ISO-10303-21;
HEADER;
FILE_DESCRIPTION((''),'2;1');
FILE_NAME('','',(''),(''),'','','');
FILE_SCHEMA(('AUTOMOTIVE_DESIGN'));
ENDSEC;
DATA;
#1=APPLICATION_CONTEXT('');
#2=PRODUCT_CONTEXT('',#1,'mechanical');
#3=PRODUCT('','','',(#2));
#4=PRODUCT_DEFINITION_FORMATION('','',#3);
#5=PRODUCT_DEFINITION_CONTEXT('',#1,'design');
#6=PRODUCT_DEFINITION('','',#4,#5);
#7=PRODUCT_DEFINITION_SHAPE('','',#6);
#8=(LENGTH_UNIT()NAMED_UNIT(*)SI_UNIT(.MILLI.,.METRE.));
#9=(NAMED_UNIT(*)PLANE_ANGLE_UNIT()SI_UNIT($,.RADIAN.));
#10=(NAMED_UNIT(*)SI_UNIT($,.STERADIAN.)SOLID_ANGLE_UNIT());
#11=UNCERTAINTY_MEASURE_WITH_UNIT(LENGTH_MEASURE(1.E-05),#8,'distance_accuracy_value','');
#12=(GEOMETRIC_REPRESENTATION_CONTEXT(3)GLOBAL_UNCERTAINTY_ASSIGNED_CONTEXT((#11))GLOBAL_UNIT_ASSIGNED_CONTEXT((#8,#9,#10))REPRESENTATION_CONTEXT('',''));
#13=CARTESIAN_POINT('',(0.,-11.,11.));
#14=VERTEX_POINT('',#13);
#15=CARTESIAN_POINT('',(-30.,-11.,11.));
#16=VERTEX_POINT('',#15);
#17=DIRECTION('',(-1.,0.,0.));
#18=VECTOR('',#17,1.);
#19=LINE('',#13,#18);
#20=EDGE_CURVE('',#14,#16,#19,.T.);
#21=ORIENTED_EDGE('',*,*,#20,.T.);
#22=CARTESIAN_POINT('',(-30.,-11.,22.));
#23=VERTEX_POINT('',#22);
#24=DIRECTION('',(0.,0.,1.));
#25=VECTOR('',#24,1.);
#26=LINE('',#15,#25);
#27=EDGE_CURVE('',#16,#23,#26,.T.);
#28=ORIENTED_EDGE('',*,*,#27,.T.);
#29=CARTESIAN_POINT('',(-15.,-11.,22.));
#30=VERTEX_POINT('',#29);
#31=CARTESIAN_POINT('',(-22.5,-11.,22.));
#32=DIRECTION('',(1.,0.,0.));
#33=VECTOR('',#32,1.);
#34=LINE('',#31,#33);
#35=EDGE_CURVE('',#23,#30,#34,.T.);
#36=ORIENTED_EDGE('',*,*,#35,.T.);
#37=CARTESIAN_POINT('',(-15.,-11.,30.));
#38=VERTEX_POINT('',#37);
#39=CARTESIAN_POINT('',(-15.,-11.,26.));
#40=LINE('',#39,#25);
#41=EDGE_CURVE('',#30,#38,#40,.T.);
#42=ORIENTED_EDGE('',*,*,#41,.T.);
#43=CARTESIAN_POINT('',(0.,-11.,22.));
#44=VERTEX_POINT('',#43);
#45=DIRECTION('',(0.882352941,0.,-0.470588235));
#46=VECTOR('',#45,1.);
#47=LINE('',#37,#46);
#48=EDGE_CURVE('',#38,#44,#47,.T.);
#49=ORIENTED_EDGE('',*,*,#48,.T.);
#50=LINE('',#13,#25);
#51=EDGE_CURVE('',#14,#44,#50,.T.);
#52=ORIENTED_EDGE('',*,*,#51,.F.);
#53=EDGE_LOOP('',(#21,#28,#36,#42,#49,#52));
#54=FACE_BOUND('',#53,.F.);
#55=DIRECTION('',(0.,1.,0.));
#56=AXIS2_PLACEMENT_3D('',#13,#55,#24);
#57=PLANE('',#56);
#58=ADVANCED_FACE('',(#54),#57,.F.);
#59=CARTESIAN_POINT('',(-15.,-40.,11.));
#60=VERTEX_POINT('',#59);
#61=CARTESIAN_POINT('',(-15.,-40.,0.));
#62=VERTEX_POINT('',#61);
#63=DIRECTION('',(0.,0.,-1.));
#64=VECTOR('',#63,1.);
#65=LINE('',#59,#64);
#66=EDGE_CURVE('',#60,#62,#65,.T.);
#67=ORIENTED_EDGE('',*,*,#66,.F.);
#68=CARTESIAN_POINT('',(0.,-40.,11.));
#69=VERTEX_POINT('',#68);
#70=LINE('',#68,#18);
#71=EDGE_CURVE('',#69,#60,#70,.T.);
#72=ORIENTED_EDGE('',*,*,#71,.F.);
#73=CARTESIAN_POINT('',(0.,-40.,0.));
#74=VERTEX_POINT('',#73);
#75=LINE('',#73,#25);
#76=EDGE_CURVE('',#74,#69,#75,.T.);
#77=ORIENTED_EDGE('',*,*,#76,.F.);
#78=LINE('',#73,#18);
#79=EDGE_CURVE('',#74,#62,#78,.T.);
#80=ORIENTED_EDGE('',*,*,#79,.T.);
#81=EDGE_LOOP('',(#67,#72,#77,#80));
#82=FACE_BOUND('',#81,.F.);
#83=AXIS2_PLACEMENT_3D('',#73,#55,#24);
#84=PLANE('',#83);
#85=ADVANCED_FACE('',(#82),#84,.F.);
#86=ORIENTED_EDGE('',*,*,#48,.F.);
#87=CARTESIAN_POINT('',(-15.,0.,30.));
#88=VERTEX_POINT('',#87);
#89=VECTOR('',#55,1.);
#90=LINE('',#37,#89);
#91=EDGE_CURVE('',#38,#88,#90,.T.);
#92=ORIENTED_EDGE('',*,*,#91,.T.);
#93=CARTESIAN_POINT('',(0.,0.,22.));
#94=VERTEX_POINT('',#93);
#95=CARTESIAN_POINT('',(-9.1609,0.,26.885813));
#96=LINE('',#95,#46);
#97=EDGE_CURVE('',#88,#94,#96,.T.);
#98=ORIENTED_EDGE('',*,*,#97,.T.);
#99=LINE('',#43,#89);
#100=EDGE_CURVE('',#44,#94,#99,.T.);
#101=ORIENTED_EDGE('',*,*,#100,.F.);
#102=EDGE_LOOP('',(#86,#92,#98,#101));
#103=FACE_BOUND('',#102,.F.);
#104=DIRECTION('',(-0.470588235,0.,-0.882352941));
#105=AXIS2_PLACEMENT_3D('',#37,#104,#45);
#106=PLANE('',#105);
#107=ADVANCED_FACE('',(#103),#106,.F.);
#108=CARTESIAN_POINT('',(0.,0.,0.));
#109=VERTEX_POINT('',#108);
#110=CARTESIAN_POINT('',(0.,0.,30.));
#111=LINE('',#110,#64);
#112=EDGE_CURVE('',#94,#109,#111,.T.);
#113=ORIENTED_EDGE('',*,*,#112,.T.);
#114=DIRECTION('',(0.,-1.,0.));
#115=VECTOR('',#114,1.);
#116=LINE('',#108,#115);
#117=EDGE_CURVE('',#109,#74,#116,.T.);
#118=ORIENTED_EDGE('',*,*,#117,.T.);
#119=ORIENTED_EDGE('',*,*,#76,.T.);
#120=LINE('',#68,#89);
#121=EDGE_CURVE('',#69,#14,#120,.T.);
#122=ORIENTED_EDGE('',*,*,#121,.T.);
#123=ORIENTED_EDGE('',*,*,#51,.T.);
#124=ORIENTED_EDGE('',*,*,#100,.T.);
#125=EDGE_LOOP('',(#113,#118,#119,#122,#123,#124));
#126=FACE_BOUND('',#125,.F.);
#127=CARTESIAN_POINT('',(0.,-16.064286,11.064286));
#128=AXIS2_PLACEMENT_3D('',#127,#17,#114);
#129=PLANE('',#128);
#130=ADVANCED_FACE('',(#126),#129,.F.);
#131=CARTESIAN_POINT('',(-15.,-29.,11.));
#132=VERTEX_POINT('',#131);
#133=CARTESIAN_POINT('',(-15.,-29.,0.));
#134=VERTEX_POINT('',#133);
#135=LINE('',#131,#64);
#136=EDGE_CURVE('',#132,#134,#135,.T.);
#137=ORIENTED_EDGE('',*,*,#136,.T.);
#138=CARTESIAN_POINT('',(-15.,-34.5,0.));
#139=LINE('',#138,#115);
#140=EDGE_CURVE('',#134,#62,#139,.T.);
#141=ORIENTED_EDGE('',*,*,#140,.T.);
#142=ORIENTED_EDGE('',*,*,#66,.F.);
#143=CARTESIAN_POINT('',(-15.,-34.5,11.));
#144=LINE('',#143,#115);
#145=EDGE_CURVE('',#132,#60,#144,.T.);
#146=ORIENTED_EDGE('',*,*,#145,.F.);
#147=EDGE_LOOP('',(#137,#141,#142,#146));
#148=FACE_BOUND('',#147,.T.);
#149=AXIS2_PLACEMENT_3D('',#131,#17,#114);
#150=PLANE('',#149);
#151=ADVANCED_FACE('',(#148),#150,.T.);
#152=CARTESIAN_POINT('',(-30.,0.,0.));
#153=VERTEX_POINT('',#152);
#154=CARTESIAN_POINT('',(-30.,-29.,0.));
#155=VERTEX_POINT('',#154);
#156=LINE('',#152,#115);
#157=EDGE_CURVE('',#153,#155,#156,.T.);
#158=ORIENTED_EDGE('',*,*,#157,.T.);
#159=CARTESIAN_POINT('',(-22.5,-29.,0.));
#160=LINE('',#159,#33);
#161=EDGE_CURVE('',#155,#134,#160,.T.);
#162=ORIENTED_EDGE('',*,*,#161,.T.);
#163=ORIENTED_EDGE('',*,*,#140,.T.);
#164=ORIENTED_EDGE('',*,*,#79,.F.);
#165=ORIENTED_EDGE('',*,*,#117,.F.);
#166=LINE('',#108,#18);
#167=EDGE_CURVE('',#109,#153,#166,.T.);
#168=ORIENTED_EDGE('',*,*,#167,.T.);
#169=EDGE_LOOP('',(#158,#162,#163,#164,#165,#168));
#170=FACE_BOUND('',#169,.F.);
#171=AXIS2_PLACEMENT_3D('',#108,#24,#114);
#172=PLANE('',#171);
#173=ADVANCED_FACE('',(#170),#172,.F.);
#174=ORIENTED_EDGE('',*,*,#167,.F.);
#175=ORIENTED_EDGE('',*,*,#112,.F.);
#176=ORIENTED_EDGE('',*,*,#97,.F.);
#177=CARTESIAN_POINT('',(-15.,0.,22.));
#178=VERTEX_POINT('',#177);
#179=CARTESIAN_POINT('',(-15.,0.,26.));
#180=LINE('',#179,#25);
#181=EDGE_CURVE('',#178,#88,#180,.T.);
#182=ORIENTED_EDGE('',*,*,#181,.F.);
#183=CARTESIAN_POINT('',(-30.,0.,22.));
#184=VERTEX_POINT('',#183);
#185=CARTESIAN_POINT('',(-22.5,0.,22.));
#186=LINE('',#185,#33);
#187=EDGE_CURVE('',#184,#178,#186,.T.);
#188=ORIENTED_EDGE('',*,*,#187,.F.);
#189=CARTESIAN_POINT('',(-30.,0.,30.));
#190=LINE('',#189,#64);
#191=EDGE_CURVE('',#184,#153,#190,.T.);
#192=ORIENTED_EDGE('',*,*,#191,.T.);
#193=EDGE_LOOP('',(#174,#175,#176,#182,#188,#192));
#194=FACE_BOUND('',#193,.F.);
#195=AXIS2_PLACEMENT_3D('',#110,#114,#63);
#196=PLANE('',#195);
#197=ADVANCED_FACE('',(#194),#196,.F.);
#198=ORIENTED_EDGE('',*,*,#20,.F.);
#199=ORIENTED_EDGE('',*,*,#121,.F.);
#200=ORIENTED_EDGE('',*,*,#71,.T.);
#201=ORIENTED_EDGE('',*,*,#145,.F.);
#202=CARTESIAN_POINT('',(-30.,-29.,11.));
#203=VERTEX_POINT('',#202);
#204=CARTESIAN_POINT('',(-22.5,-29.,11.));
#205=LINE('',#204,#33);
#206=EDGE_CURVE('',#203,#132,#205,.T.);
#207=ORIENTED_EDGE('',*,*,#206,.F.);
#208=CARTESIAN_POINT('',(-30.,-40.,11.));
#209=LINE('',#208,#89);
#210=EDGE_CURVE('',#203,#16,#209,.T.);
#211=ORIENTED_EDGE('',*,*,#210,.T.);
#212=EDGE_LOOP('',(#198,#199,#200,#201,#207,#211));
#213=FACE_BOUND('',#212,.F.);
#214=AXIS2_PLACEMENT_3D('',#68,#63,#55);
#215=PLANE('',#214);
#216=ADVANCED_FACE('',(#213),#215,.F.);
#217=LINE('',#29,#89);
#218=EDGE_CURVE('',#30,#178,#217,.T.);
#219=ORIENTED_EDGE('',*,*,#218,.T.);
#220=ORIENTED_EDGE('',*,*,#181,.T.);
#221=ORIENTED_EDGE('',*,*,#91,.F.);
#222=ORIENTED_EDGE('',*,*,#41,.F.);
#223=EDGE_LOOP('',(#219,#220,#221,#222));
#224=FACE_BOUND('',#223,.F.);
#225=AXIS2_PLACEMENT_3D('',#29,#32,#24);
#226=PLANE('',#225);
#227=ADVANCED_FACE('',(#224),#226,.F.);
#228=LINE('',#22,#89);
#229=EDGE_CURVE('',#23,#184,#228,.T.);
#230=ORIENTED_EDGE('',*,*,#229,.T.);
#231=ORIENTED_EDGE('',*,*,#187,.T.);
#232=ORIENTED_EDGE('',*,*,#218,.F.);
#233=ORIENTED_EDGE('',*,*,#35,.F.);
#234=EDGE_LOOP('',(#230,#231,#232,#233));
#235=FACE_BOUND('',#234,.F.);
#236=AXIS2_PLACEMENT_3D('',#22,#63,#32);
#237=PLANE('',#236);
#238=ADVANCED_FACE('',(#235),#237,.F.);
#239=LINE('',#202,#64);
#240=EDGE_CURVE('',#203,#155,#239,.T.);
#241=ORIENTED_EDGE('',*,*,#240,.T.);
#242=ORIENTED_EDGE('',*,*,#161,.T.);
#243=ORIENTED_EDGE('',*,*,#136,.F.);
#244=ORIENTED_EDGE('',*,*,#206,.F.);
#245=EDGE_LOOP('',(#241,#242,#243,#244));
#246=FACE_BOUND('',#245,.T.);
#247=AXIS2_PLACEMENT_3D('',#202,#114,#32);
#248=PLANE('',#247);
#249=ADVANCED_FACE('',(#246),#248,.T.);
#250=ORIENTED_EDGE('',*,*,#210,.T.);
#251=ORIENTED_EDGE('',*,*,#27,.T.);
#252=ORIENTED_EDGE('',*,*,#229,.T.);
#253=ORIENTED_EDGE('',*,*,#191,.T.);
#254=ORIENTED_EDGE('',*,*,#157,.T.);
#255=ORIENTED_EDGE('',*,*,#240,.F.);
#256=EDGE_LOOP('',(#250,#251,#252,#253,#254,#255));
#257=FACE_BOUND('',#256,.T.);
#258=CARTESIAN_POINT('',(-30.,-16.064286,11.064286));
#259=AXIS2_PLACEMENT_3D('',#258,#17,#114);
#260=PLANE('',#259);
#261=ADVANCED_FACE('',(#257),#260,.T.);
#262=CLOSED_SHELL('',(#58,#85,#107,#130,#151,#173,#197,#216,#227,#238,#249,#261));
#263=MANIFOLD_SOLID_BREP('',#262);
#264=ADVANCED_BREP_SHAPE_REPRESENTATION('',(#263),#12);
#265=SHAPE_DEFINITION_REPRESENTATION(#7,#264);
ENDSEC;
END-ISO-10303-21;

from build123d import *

# Parameters (mm, degrees)
F1_DEPTH = 30
F2_W     = 11
F2_H     = 15
F3_DEPTH = 11
F4_W     = 15
F4_H     = 8
F5_DEPTH = 11
F6_ANGLE = -90
F8_DEPTH = 11.001


with BuildPart() as f1:
    # F0 (on Front) → F1 (new body)
    with BuildSketch(Plane.XZ):
        Polygon((0, 30), (0, 0), (40, 0), (40, 11), (11, 11), (11, 30), align=None)
    extrude(amount=F1_DEPTH)

    # F2 (on face) → F3 (cut, through all)
    with BuildSketch(Plane.XY.offset(11)):
        with Locations((34.5, -22.5)):
            Rectangle(F2_W, F2_H)
    extrude(amount=-F3_DEPTH, mode=Mode.SUBTRACT)

    # F4 (on face) → F5 (cut, through all)
    with BuildSketch(Plane.YZ.offset(11)):
        with Locations((-22.5, 26)):
            Rectangle(F4_W, F4_H)
    extrude(amount=-F5_DEPTH, mode=Mode.SUBTRACT)


with BuildPart() as f1_1:
    # F6: moved
    add(f1.part.rotate(Axis((0, 0, 15), (0, 0, 1)), F6_ANGLE))

    # F7 (on face) → F8 (cut, through all)
    with BuildSketch(Plane.XZ.offset(11)):
        Polygon((0, 30), (-15, 30), (-7.5, 26), align=None)
        Polygon((0, 30), (-7.5, 26), (0, 22), align=None)
    extrude(amount=-F8_DEPTH, mode=Mode.SUBTRACT)


solid = f1_1.part
